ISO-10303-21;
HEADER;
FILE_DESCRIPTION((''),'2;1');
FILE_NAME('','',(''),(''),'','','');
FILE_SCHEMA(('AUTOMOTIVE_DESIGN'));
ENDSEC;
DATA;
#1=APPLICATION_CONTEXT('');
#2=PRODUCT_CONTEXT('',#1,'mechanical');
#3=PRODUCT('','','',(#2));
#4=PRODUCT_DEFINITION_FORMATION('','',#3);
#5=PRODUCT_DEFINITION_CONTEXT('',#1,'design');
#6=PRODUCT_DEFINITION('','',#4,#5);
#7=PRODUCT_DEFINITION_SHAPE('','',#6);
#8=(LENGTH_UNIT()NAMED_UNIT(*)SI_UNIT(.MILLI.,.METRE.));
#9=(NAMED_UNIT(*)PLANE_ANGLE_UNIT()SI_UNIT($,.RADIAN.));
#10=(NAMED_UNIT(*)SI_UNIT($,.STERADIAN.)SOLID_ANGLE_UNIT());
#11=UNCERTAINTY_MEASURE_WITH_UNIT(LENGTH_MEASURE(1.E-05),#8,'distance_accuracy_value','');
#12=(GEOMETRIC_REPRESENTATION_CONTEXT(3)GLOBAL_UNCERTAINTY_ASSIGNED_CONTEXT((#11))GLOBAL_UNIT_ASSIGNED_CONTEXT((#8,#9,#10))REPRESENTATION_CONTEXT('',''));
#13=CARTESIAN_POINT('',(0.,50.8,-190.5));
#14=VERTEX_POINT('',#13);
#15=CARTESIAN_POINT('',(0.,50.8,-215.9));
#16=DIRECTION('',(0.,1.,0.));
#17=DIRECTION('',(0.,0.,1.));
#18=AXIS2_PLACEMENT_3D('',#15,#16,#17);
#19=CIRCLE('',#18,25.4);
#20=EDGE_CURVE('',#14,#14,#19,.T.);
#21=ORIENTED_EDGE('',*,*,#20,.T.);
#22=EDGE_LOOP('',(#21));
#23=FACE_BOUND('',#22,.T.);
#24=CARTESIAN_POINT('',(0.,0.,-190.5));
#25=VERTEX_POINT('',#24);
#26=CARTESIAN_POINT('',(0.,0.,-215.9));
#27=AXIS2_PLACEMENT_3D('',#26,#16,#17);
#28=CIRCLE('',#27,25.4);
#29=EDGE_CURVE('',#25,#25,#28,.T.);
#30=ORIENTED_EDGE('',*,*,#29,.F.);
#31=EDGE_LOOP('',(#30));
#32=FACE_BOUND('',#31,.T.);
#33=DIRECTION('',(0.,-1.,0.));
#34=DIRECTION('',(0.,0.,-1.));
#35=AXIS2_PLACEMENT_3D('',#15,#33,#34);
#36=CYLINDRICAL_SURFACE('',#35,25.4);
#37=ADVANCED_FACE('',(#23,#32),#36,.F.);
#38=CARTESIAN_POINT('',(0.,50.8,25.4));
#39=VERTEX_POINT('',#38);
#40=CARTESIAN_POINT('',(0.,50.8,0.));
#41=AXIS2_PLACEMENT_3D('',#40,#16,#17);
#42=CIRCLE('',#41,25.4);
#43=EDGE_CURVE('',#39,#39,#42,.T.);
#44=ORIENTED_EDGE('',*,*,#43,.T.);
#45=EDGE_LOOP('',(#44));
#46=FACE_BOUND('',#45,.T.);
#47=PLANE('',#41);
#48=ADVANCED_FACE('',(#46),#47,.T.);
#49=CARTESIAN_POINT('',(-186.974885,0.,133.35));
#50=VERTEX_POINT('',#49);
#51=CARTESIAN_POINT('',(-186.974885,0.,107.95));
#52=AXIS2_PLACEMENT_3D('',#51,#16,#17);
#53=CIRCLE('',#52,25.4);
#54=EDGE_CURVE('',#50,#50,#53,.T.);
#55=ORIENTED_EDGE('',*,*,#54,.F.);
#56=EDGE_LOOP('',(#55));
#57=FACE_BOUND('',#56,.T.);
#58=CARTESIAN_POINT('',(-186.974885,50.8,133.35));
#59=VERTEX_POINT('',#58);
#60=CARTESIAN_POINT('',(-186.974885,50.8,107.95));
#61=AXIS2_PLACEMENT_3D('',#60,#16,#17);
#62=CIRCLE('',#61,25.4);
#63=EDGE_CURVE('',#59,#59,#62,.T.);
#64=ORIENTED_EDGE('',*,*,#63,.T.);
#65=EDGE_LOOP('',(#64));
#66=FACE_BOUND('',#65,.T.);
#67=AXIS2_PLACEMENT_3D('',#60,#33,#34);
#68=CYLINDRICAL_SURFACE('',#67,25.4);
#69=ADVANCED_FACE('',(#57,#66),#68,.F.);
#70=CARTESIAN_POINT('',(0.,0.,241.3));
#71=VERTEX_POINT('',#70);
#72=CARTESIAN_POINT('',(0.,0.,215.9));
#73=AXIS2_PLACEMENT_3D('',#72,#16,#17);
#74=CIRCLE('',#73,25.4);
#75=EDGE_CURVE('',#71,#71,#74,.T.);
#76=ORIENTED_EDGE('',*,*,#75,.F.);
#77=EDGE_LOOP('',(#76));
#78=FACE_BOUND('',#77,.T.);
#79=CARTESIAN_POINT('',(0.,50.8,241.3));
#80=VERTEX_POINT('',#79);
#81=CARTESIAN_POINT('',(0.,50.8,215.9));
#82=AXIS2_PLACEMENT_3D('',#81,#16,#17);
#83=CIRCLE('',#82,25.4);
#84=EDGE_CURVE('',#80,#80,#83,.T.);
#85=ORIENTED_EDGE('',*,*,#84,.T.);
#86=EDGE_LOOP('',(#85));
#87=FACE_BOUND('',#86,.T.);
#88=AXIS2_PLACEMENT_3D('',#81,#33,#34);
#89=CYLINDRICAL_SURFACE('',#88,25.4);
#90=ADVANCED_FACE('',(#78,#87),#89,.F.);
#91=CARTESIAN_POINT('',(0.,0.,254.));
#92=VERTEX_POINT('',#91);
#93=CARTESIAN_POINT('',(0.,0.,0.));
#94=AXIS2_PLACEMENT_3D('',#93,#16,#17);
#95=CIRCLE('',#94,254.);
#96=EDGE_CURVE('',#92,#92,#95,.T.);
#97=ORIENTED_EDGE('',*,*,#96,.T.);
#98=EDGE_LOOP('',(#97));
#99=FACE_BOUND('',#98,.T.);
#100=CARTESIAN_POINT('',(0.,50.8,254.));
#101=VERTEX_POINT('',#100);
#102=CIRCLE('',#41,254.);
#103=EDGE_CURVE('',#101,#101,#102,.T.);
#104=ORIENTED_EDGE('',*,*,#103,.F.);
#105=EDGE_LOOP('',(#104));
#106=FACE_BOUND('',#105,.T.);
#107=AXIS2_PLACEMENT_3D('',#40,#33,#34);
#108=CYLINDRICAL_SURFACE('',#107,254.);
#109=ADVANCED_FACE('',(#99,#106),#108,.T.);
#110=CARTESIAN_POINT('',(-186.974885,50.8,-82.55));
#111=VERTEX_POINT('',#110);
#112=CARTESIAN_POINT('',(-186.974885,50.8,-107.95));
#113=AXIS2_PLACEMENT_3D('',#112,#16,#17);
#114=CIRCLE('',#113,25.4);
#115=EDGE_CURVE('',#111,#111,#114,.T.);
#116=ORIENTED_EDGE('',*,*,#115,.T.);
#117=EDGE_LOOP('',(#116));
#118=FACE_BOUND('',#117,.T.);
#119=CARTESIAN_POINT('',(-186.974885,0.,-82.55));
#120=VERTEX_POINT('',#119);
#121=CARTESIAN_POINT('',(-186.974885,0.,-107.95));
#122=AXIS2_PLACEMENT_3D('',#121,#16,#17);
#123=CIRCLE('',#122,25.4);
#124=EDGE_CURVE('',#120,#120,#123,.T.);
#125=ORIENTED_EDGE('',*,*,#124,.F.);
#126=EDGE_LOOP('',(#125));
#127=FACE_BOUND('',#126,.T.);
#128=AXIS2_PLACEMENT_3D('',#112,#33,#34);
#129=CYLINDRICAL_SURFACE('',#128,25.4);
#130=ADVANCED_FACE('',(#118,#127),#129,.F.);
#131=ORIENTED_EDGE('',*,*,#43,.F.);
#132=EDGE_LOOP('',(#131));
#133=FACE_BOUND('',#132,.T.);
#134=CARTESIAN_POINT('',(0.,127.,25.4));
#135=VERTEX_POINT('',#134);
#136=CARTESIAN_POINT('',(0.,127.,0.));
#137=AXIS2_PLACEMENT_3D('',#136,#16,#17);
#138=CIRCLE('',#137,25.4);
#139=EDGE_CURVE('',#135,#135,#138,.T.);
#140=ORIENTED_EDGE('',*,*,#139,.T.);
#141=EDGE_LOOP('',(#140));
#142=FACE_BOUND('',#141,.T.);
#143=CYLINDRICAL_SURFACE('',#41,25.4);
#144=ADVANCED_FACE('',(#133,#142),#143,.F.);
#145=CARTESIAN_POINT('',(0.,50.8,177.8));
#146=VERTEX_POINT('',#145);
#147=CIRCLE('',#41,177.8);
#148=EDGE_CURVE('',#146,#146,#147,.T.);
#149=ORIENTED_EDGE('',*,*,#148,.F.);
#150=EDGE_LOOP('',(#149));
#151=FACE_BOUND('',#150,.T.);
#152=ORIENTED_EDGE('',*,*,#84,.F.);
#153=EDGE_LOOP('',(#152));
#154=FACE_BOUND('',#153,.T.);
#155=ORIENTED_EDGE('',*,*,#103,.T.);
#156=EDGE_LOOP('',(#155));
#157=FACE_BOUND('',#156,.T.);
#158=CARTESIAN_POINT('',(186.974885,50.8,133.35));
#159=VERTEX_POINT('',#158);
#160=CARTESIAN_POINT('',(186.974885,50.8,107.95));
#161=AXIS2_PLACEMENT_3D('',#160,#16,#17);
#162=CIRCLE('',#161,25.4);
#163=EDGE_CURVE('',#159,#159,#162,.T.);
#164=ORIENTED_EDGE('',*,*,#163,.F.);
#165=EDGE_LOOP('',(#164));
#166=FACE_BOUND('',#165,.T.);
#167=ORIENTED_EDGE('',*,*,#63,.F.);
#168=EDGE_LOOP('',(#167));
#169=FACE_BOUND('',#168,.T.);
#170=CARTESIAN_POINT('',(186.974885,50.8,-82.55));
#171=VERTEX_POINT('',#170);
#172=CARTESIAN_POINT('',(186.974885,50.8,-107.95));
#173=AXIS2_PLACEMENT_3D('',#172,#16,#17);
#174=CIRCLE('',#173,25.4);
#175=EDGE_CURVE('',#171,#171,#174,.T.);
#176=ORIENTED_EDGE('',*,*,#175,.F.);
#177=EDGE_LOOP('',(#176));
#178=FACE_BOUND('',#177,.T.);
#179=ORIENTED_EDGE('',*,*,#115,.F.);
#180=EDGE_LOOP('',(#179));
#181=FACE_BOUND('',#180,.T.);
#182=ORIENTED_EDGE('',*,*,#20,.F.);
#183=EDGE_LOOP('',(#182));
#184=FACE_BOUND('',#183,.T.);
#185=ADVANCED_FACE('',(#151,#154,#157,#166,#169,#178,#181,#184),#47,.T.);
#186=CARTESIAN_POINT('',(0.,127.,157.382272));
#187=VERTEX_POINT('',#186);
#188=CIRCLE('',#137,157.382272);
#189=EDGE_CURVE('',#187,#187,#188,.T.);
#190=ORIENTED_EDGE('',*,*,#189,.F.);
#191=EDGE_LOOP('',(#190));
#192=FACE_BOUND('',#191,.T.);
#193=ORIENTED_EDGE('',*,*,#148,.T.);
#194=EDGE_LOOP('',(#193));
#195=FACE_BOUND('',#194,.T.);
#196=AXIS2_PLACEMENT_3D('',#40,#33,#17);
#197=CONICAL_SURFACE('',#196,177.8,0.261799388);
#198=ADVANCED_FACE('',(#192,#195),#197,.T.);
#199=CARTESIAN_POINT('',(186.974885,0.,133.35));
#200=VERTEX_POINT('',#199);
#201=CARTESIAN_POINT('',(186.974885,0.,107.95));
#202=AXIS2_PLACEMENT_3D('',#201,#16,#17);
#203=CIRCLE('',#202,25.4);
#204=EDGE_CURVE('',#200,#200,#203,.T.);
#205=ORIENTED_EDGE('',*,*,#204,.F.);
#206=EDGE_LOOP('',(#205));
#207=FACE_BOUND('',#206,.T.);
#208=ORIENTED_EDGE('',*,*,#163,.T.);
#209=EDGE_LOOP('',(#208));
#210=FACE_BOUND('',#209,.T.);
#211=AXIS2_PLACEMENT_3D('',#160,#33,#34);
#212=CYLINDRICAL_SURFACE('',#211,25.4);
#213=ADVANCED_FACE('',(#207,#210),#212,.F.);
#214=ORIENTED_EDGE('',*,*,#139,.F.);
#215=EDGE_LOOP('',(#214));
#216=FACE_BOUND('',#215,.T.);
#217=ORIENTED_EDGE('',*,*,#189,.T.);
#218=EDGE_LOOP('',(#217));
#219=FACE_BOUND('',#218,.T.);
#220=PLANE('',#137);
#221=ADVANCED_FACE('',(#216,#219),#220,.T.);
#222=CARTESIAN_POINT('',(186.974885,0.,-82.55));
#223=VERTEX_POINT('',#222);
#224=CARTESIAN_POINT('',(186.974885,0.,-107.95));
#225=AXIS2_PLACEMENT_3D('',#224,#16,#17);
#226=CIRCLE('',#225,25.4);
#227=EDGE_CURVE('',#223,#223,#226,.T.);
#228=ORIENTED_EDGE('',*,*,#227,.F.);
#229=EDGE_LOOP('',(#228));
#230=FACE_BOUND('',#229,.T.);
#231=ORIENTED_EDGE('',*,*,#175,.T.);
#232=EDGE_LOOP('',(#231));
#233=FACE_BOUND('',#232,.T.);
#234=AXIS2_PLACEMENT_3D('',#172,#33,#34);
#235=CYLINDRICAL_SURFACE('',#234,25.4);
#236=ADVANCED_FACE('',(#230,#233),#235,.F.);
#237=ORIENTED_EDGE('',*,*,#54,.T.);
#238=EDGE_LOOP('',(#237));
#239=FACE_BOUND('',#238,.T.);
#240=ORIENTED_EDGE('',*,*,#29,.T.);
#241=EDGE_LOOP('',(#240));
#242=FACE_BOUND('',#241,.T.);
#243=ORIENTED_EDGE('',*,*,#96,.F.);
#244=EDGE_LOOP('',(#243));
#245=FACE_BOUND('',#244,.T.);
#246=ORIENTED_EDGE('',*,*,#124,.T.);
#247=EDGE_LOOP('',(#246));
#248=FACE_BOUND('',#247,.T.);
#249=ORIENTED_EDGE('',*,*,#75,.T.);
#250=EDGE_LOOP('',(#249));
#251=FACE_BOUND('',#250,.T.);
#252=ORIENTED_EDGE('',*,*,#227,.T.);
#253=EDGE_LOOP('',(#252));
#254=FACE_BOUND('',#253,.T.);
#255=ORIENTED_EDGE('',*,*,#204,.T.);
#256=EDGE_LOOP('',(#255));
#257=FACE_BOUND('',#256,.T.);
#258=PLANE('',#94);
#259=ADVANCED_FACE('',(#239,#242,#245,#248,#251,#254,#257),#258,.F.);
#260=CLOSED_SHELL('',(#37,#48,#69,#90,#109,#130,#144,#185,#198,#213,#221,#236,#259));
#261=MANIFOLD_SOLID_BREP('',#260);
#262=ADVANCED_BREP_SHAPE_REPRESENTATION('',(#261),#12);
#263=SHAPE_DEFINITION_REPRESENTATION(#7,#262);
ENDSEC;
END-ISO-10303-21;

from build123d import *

# Parameters (mm, degrees)
SKETCH2_R           = 254
SKETCH2_R_2         = 25.4
BOSS_EXTRUDE2_DEPTH = 50.8
SKETCH3_R           = 177.8
BOSS_EXTRUDE3_DEPTH = 76.2
BOSS_EXTRUDE3_TAPER = 15
SKETCH4_R           = 25.4
CUT_EXTRUDE1_DEPTH  = 76.2


with BuildPart() as part:
    # Sketch2 → Boss-Extrude2 (new body)
    with BuildSketch(Plane(origin=(0, 0, 0), x_dir=(1, 0, 0), z_dir=(0, 1, 0))):
        Circle(SKETCH2_R)
        with Locations((0, 215.9)):
            Circle(SKETCH2_R_2, mode=Mode.SUBTRACT)
        with Locations((186.974884677, 107.95)):
            Circle(SKETCH2_R_2, mode=Mode.SUBTRACT)
        with Locations((186.974884677, -107.95)):
            Circle(SKETCH2_R_2, mode=Mode.SUBTRACT)
        with Locations((0, -215.9)):
            Circle(SKETCH2_R_2, mode=Mode.SUBTRACT)
        with Locations((-186.974884677, -107.95)):
            Circle(SKETCH2_R_2, mode=Mode.SUBTRACT)
        with Locations((-186.974884677, 107.95)):
            Circle(SKETCH2_R_2, mode=Mode.SUBTRACT)
    extrude(amount=BOSS_EXTRUDE2_DEPTH)

    # Sketch3 → Boss-Extrude3 (add)
    with BuildSketch(Plane(origin=(0, 50.8, 0), x_dir=(1, 0, 0), z_dir=(0, 1, 0))):
        Circle(SKETCH3_R)
    extrude(amount=BOSS_EXTRUDE3_DEPTH, taper=BOSS_EXTRUDE3_TAPER)

    # Sketch4 → Cut-Extrude1 (cut)
    with BuildSketch(Plane(origin=(0, 127, 0), x_dir=(1, 0, 0), z_dir=(0, 1, 0))):
        Circle(SKETCH4_R)
    extrude(amount=-CUT_EXTRUDE1_DEPTH, mode=Mode.SUBTRACT)


solid = part.part
